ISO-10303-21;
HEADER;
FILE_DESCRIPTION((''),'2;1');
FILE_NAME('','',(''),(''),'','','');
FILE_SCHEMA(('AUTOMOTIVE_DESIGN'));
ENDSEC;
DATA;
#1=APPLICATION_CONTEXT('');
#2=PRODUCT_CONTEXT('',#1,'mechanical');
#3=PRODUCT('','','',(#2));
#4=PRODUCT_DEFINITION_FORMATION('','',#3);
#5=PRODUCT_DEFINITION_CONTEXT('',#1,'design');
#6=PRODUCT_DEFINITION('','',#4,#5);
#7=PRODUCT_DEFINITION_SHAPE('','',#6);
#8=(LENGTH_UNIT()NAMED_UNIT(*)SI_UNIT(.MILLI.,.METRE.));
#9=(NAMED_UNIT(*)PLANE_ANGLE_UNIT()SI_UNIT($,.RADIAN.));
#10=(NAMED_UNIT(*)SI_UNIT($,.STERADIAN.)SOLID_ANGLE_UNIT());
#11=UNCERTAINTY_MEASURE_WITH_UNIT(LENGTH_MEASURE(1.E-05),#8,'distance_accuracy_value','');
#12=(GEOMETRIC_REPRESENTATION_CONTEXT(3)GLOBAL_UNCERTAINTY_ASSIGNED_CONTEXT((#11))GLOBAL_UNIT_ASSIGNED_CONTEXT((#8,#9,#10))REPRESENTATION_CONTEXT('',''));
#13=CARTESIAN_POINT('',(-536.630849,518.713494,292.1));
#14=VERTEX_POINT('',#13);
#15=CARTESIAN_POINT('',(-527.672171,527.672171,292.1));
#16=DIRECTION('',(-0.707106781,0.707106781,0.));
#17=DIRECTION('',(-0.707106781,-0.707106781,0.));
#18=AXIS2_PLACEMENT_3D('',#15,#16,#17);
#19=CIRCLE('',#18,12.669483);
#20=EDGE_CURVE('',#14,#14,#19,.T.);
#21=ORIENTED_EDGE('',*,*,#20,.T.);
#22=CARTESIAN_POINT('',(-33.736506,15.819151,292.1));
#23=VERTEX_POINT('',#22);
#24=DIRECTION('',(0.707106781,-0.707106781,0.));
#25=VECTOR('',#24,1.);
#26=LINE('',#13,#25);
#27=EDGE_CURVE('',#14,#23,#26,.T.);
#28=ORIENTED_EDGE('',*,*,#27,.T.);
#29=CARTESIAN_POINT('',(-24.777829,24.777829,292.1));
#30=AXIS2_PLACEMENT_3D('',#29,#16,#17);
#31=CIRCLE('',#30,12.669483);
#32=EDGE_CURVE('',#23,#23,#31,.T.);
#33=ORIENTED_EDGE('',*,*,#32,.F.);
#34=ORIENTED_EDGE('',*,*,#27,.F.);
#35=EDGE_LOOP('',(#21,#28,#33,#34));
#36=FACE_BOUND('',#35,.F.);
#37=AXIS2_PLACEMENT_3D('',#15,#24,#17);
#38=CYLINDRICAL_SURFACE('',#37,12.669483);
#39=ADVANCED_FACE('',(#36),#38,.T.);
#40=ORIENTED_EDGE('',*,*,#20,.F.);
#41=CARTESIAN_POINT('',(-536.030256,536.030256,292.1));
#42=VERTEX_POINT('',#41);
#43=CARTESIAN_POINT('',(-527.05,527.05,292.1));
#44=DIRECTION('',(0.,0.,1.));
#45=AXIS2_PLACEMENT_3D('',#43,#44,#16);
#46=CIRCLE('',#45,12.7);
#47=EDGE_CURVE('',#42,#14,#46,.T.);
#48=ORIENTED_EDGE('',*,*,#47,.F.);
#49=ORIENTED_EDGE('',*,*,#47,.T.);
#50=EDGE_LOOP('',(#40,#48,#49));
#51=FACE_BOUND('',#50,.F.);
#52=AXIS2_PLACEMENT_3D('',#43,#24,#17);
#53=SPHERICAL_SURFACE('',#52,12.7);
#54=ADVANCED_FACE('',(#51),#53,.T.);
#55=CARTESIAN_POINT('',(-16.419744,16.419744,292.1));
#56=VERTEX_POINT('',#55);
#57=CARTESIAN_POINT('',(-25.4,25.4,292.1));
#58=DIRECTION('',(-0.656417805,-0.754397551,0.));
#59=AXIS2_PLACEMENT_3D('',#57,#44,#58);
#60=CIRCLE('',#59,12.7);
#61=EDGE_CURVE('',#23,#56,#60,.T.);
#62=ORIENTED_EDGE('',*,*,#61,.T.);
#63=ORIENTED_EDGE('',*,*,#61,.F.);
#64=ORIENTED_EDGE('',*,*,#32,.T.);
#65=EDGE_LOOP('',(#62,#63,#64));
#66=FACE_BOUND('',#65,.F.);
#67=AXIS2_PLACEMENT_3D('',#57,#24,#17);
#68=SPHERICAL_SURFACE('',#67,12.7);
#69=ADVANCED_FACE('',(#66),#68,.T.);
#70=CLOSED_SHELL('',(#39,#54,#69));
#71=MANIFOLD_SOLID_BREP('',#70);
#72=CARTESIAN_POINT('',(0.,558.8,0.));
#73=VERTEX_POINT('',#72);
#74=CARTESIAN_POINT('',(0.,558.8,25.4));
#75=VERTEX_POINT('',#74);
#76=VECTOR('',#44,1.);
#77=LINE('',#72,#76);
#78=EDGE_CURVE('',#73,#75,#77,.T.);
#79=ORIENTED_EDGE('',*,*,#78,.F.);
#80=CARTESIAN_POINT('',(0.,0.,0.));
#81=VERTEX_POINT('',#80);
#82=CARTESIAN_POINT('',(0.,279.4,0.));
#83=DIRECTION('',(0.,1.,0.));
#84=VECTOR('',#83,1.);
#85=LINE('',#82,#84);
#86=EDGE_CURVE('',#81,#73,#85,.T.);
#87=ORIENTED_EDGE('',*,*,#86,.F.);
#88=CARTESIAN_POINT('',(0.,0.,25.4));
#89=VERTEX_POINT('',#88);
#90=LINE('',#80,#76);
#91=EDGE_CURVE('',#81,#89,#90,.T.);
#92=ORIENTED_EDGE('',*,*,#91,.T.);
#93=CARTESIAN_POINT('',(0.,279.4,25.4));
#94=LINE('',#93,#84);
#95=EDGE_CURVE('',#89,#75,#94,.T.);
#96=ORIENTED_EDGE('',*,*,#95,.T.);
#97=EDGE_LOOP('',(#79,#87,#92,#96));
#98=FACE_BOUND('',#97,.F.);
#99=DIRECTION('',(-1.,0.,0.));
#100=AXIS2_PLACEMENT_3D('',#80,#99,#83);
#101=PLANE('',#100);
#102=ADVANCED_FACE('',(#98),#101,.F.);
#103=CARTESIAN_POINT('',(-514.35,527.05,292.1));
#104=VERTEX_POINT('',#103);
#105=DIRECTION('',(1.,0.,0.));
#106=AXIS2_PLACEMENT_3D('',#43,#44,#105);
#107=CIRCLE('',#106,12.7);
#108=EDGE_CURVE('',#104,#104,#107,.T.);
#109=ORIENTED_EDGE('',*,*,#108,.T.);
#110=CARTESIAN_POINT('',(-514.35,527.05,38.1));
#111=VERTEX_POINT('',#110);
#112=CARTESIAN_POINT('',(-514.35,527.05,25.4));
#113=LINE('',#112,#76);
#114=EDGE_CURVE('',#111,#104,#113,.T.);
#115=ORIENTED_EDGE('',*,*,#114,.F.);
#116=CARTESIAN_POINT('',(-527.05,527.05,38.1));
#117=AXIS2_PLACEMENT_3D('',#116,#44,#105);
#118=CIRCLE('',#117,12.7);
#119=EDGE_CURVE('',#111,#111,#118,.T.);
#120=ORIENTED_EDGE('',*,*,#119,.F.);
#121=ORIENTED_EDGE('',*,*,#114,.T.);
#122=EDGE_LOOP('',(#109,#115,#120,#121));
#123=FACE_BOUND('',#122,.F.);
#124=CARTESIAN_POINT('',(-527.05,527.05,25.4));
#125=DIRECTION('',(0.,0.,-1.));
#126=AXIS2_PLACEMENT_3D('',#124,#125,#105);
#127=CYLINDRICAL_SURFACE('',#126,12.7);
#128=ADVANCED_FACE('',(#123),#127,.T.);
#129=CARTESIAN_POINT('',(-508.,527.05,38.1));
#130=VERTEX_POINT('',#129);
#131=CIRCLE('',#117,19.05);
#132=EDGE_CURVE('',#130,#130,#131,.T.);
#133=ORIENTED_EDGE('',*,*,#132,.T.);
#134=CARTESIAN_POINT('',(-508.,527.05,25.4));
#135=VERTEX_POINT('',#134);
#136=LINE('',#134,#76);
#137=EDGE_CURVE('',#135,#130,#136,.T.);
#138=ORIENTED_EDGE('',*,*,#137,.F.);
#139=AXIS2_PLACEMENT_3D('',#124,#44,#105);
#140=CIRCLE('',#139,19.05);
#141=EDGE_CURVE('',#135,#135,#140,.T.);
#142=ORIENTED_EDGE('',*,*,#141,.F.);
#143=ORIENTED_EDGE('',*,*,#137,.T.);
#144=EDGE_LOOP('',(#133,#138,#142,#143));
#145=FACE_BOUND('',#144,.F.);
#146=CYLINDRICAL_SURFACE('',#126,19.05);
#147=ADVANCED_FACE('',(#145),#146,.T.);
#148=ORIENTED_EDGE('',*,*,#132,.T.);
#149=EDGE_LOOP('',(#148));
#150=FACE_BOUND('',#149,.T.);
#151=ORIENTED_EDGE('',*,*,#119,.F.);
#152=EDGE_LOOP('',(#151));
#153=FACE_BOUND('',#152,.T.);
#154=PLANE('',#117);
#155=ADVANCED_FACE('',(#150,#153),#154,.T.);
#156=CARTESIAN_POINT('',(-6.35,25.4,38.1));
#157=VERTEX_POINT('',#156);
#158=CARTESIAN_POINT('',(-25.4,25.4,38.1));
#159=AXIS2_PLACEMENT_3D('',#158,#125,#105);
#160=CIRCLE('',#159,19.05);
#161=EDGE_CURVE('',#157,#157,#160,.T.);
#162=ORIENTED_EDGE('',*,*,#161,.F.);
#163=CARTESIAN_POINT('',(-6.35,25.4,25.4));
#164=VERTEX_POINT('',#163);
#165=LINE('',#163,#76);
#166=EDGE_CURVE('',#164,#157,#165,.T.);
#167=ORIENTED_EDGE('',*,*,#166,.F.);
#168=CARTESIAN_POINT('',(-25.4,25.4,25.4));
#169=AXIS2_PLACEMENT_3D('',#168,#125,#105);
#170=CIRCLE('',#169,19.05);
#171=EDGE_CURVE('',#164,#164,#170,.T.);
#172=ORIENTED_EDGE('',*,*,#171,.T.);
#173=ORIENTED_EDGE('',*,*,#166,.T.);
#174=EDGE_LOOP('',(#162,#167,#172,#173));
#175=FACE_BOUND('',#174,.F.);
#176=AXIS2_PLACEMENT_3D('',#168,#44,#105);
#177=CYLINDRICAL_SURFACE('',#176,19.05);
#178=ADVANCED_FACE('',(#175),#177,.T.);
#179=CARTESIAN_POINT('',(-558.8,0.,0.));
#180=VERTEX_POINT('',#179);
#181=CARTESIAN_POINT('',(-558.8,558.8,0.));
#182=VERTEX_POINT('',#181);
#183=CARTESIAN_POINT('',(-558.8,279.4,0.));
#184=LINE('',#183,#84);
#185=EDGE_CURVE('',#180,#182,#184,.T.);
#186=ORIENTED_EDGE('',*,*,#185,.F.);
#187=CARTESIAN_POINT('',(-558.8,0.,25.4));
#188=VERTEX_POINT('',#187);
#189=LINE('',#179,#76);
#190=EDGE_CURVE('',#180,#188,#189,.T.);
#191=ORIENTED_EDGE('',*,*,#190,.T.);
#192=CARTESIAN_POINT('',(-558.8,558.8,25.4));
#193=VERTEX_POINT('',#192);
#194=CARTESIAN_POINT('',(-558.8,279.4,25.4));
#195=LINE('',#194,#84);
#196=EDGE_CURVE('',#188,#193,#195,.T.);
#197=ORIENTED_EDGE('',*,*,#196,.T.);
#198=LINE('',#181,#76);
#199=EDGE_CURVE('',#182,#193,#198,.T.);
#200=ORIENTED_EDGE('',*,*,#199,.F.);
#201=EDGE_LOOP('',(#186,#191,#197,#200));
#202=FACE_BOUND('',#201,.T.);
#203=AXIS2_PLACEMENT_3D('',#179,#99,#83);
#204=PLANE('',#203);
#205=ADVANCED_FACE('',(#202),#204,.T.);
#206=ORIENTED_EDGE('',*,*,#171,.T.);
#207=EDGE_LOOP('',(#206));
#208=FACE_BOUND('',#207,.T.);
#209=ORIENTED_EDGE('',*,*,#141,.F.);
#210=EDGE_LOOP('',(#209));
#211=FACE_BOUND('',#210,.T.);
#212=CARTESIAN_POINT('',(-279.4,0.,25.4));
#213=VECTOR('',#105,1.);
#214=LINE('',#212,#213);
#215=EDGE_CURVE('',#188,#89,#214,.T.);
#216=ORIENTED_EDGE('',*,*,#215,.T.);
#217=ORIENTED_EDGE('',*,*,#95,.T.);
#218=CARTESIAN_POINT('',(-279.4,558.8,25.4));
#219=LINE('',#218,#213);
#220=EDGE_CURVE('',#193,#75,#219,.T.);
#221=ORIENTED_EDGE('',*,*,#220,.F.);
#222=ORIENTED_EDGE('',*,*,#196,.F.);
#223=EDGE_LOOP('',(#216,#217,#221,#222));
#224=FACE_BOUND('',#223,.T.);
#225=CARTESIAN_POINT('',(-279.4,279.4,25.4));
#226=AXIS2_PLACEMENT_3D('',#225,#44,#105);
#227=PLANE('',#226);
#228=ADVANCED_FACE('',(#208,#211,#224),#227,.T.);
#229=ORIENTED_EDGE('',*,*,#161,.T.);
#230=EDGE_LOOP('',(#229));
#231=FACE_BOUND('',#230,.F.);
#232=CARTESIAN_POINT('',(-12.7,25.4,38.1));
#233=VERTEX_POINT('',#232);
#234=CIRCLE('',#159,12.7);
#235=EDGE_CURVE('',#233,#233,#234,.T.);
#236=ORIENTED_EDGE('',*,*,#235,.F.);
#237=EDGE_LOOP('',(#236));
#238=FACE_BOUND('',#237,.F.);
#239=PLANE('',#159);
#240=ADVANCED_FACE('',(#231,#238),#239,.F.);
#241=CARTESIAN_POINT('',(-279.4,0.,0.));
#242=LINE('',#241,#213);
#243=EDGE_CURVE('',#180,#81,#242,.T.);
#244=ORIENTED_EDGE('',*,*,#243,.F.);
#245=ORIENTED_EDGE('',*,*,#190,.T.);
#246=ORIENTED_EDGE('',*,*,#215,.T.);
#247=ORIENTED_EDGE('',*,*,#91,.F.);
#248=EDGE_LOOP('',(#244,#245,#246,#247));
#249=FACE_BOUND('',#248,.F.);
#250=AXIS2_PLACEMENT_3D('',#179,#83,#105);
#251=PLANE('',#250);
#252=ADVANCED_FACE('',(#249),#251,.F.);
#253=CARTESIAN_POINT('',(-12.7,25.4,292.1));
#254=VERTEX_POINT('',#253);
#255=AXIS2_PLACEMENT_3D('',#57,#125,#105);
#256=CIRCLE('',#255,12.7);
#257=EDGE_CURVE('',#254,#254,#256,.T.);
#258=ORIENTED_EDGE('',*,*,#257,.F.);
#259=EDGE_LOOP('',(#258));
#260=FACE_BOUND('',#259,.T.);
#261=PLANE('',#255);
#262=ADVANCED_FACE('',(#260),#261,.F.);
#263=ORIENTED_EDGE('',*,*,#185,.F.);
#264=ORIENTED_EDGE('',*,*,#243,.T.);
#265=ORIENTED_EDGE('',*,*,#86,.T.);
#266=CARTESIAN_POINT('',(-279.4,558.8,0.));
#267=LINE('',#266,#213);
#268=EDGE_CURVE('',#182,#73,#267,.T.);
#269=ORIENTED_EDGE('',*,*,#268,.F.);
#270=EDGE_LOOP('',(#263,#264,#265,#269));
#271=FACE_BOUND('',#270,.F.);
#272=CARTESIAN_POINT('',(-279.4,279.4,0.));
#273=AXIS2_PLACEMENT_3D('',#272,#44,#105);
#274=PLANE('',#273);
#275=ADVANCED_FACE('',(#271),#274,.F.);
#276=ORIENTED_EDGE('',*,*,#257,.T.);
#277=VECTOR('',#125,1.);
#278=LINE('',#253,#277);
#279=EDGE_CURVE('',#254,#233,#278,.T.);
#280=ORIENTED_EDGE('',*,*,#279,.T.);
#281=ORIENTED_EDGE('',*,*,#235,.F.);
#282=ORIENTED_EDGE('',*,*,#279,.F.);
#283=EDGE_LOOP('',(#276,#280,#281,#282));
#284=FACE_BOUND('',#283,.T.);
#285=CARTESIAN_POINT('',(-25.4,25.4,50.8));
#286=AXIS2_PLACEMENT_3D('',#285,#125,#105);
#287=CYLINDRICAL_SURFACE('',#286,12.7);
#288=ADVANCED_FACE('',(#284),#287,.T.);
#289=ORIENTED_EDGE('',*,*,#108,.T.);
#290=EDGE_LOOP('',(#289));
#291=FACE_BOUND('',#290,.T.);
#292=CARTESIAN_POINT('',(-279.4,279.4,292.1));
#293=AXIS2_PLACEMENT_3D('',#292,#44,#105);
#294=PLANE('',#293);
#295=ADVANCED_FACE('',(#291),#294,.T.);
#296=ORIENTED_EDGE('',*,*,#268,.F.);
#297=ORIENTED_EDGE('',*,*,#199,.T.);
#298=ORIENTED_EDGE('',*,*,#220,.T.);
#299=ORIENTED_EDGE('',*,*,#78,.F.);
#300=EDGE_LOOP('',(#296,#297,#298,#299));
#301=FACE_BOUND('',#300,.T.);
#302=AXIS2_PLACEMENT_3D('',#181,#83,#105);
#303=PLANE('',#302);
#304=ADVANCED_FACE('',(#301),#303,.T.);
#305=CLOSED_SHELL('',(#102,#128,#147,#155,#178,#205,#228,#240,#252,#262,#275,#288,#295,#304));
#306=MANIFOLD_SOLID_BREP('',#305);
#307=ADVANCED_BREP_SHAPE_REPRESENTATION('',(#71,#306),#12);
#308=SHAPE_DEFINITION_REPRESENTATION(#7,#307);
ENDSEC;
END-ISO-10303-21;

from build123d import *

# Parameters (mm, degrees)
F0_W     = 558.8
F0_H     = 558.8
F1_DEPTH = 25.4
F3_W     = 12.7
F3_H     = 12.7
F5_R     = 19.05
F5_R_2   = 12.7
F6_DEPTH = 12.7
F7_DEPTH = 266.7
F8_DEPTH = 241.3


with BuildPart() as f1:
    # F0 (on Top) → F1 (new body)
    with BuildSketch(Plane.XY):
        with Locations((-279.4, 279.4)):
            Rectangle(F0_W, F0_H)
    extrude(amount=F1_DEPTH)

    # F3 (on offset) → F4 (revolve)
    with BuildSketch(Plane.XZ.offset(-25.4)):
        with Locations((-19.05, 44.45)):
            Rectangle(F3_W, F3_H)
        Polygon((-12.7, 38.1), (-25.4, 38.1), (-25.4, 25.4), (-6.35, 25.4), (-6.35, 38.1), align=None)
    revolve(axis=Axis((-25.4, 25.4, 38.1), (0, 0, -1)))

    # F5 (on face) → F6 (join)
    with BuildSketch(Plane.XY.offset(25.4)):
        with Locations((-527.05, 527.05)):
            Circle(F5_R)
        with Locations((-527.05, 527.05)):
            Circle(F5_R_2, mode=Mode.SUBTRACT)
    extrude(amount=F6_DEPTH)

    # F7 (add): a face of the model
    f7_faces = [f1.faces().sort_by_distance(p)[0] for p in [
        (-527.05, 527.05, 25.4),
    ]]
    extrude(f7_faces, amount=F7_DEPTH)

    # F8 (add): a face of the model
    f8_faces = [f1.faces().sort_by_distance(p)[0] for p in [
        (-25.4, 25.4, 50.8),
    ]]
    extrude(f8_faces, amount=F8_DEPTH)


with BuildPart() as f11:
    # F10 (on offset) → F11 (revolve)
    with BuildSketch(Plane.XY.offset(292.1)):
        with BuildLine():
            ThreePointArc((-34.9808489018, 17.0634938781), (-38.0923685167, 25.8402061306), (-34.3802561211, 34.3802561211))
            Line((-34.3802561211, 34.3802561211), (-518.0697438789, 518.0697438789))
            ThreePointArc((-518.0697438789, 518.0697438789), (-526.6097938694, 514.3576314833), (-535.3865061219, 517.4691510982))
            Line((-535.3865061219, 517.4691510982), (-34.9808489018, 17.0634938781))
        make_face()
        with BuildLine():
            ThreePointArc((-535.3865061219, 517.4691510982), (-526.6097938694, 514.3576314833), (-518.0697438789, 518.0697438789))
            Line((-518.0697438789, 518.0697438789), (-536.0302561211, 536.0302561211))
            ThreePointArc((-536.0302561211, 536.0302561211), (-539.7423685167, 527.4902061306), (-536.6308489018, 518.7134938781))
            Line((-536.6308489018, 518.7134938781), (-535.3865061219, 517.4691510982))
        make_face()
        with BuildLine():
            ThreePointArc((-33.7365061219, 15.8191510982), (-24.9597938694, 12.7076314833), (-16.4197438789, 16.4197438789))
            Line((-16.4197438789, 16.4197438789), (-34.3802561211, 34.3802561211))
            ThreePointArc((-34.3802561211, 34.3802561211), (-38.0923685167, 25.8402061306), (-34.9808489018, 17.0634938781))
            Line((-34.9808489018, 17.0634938781), (-33.7365061219, 15.8191510982))
        make_face()
    revolve(axis=Axis((-276.225, 276.225, 292.1), (-0.7071067812, 0.7071067812, 0)))


solid = Compound([f1.part, f11.part])
